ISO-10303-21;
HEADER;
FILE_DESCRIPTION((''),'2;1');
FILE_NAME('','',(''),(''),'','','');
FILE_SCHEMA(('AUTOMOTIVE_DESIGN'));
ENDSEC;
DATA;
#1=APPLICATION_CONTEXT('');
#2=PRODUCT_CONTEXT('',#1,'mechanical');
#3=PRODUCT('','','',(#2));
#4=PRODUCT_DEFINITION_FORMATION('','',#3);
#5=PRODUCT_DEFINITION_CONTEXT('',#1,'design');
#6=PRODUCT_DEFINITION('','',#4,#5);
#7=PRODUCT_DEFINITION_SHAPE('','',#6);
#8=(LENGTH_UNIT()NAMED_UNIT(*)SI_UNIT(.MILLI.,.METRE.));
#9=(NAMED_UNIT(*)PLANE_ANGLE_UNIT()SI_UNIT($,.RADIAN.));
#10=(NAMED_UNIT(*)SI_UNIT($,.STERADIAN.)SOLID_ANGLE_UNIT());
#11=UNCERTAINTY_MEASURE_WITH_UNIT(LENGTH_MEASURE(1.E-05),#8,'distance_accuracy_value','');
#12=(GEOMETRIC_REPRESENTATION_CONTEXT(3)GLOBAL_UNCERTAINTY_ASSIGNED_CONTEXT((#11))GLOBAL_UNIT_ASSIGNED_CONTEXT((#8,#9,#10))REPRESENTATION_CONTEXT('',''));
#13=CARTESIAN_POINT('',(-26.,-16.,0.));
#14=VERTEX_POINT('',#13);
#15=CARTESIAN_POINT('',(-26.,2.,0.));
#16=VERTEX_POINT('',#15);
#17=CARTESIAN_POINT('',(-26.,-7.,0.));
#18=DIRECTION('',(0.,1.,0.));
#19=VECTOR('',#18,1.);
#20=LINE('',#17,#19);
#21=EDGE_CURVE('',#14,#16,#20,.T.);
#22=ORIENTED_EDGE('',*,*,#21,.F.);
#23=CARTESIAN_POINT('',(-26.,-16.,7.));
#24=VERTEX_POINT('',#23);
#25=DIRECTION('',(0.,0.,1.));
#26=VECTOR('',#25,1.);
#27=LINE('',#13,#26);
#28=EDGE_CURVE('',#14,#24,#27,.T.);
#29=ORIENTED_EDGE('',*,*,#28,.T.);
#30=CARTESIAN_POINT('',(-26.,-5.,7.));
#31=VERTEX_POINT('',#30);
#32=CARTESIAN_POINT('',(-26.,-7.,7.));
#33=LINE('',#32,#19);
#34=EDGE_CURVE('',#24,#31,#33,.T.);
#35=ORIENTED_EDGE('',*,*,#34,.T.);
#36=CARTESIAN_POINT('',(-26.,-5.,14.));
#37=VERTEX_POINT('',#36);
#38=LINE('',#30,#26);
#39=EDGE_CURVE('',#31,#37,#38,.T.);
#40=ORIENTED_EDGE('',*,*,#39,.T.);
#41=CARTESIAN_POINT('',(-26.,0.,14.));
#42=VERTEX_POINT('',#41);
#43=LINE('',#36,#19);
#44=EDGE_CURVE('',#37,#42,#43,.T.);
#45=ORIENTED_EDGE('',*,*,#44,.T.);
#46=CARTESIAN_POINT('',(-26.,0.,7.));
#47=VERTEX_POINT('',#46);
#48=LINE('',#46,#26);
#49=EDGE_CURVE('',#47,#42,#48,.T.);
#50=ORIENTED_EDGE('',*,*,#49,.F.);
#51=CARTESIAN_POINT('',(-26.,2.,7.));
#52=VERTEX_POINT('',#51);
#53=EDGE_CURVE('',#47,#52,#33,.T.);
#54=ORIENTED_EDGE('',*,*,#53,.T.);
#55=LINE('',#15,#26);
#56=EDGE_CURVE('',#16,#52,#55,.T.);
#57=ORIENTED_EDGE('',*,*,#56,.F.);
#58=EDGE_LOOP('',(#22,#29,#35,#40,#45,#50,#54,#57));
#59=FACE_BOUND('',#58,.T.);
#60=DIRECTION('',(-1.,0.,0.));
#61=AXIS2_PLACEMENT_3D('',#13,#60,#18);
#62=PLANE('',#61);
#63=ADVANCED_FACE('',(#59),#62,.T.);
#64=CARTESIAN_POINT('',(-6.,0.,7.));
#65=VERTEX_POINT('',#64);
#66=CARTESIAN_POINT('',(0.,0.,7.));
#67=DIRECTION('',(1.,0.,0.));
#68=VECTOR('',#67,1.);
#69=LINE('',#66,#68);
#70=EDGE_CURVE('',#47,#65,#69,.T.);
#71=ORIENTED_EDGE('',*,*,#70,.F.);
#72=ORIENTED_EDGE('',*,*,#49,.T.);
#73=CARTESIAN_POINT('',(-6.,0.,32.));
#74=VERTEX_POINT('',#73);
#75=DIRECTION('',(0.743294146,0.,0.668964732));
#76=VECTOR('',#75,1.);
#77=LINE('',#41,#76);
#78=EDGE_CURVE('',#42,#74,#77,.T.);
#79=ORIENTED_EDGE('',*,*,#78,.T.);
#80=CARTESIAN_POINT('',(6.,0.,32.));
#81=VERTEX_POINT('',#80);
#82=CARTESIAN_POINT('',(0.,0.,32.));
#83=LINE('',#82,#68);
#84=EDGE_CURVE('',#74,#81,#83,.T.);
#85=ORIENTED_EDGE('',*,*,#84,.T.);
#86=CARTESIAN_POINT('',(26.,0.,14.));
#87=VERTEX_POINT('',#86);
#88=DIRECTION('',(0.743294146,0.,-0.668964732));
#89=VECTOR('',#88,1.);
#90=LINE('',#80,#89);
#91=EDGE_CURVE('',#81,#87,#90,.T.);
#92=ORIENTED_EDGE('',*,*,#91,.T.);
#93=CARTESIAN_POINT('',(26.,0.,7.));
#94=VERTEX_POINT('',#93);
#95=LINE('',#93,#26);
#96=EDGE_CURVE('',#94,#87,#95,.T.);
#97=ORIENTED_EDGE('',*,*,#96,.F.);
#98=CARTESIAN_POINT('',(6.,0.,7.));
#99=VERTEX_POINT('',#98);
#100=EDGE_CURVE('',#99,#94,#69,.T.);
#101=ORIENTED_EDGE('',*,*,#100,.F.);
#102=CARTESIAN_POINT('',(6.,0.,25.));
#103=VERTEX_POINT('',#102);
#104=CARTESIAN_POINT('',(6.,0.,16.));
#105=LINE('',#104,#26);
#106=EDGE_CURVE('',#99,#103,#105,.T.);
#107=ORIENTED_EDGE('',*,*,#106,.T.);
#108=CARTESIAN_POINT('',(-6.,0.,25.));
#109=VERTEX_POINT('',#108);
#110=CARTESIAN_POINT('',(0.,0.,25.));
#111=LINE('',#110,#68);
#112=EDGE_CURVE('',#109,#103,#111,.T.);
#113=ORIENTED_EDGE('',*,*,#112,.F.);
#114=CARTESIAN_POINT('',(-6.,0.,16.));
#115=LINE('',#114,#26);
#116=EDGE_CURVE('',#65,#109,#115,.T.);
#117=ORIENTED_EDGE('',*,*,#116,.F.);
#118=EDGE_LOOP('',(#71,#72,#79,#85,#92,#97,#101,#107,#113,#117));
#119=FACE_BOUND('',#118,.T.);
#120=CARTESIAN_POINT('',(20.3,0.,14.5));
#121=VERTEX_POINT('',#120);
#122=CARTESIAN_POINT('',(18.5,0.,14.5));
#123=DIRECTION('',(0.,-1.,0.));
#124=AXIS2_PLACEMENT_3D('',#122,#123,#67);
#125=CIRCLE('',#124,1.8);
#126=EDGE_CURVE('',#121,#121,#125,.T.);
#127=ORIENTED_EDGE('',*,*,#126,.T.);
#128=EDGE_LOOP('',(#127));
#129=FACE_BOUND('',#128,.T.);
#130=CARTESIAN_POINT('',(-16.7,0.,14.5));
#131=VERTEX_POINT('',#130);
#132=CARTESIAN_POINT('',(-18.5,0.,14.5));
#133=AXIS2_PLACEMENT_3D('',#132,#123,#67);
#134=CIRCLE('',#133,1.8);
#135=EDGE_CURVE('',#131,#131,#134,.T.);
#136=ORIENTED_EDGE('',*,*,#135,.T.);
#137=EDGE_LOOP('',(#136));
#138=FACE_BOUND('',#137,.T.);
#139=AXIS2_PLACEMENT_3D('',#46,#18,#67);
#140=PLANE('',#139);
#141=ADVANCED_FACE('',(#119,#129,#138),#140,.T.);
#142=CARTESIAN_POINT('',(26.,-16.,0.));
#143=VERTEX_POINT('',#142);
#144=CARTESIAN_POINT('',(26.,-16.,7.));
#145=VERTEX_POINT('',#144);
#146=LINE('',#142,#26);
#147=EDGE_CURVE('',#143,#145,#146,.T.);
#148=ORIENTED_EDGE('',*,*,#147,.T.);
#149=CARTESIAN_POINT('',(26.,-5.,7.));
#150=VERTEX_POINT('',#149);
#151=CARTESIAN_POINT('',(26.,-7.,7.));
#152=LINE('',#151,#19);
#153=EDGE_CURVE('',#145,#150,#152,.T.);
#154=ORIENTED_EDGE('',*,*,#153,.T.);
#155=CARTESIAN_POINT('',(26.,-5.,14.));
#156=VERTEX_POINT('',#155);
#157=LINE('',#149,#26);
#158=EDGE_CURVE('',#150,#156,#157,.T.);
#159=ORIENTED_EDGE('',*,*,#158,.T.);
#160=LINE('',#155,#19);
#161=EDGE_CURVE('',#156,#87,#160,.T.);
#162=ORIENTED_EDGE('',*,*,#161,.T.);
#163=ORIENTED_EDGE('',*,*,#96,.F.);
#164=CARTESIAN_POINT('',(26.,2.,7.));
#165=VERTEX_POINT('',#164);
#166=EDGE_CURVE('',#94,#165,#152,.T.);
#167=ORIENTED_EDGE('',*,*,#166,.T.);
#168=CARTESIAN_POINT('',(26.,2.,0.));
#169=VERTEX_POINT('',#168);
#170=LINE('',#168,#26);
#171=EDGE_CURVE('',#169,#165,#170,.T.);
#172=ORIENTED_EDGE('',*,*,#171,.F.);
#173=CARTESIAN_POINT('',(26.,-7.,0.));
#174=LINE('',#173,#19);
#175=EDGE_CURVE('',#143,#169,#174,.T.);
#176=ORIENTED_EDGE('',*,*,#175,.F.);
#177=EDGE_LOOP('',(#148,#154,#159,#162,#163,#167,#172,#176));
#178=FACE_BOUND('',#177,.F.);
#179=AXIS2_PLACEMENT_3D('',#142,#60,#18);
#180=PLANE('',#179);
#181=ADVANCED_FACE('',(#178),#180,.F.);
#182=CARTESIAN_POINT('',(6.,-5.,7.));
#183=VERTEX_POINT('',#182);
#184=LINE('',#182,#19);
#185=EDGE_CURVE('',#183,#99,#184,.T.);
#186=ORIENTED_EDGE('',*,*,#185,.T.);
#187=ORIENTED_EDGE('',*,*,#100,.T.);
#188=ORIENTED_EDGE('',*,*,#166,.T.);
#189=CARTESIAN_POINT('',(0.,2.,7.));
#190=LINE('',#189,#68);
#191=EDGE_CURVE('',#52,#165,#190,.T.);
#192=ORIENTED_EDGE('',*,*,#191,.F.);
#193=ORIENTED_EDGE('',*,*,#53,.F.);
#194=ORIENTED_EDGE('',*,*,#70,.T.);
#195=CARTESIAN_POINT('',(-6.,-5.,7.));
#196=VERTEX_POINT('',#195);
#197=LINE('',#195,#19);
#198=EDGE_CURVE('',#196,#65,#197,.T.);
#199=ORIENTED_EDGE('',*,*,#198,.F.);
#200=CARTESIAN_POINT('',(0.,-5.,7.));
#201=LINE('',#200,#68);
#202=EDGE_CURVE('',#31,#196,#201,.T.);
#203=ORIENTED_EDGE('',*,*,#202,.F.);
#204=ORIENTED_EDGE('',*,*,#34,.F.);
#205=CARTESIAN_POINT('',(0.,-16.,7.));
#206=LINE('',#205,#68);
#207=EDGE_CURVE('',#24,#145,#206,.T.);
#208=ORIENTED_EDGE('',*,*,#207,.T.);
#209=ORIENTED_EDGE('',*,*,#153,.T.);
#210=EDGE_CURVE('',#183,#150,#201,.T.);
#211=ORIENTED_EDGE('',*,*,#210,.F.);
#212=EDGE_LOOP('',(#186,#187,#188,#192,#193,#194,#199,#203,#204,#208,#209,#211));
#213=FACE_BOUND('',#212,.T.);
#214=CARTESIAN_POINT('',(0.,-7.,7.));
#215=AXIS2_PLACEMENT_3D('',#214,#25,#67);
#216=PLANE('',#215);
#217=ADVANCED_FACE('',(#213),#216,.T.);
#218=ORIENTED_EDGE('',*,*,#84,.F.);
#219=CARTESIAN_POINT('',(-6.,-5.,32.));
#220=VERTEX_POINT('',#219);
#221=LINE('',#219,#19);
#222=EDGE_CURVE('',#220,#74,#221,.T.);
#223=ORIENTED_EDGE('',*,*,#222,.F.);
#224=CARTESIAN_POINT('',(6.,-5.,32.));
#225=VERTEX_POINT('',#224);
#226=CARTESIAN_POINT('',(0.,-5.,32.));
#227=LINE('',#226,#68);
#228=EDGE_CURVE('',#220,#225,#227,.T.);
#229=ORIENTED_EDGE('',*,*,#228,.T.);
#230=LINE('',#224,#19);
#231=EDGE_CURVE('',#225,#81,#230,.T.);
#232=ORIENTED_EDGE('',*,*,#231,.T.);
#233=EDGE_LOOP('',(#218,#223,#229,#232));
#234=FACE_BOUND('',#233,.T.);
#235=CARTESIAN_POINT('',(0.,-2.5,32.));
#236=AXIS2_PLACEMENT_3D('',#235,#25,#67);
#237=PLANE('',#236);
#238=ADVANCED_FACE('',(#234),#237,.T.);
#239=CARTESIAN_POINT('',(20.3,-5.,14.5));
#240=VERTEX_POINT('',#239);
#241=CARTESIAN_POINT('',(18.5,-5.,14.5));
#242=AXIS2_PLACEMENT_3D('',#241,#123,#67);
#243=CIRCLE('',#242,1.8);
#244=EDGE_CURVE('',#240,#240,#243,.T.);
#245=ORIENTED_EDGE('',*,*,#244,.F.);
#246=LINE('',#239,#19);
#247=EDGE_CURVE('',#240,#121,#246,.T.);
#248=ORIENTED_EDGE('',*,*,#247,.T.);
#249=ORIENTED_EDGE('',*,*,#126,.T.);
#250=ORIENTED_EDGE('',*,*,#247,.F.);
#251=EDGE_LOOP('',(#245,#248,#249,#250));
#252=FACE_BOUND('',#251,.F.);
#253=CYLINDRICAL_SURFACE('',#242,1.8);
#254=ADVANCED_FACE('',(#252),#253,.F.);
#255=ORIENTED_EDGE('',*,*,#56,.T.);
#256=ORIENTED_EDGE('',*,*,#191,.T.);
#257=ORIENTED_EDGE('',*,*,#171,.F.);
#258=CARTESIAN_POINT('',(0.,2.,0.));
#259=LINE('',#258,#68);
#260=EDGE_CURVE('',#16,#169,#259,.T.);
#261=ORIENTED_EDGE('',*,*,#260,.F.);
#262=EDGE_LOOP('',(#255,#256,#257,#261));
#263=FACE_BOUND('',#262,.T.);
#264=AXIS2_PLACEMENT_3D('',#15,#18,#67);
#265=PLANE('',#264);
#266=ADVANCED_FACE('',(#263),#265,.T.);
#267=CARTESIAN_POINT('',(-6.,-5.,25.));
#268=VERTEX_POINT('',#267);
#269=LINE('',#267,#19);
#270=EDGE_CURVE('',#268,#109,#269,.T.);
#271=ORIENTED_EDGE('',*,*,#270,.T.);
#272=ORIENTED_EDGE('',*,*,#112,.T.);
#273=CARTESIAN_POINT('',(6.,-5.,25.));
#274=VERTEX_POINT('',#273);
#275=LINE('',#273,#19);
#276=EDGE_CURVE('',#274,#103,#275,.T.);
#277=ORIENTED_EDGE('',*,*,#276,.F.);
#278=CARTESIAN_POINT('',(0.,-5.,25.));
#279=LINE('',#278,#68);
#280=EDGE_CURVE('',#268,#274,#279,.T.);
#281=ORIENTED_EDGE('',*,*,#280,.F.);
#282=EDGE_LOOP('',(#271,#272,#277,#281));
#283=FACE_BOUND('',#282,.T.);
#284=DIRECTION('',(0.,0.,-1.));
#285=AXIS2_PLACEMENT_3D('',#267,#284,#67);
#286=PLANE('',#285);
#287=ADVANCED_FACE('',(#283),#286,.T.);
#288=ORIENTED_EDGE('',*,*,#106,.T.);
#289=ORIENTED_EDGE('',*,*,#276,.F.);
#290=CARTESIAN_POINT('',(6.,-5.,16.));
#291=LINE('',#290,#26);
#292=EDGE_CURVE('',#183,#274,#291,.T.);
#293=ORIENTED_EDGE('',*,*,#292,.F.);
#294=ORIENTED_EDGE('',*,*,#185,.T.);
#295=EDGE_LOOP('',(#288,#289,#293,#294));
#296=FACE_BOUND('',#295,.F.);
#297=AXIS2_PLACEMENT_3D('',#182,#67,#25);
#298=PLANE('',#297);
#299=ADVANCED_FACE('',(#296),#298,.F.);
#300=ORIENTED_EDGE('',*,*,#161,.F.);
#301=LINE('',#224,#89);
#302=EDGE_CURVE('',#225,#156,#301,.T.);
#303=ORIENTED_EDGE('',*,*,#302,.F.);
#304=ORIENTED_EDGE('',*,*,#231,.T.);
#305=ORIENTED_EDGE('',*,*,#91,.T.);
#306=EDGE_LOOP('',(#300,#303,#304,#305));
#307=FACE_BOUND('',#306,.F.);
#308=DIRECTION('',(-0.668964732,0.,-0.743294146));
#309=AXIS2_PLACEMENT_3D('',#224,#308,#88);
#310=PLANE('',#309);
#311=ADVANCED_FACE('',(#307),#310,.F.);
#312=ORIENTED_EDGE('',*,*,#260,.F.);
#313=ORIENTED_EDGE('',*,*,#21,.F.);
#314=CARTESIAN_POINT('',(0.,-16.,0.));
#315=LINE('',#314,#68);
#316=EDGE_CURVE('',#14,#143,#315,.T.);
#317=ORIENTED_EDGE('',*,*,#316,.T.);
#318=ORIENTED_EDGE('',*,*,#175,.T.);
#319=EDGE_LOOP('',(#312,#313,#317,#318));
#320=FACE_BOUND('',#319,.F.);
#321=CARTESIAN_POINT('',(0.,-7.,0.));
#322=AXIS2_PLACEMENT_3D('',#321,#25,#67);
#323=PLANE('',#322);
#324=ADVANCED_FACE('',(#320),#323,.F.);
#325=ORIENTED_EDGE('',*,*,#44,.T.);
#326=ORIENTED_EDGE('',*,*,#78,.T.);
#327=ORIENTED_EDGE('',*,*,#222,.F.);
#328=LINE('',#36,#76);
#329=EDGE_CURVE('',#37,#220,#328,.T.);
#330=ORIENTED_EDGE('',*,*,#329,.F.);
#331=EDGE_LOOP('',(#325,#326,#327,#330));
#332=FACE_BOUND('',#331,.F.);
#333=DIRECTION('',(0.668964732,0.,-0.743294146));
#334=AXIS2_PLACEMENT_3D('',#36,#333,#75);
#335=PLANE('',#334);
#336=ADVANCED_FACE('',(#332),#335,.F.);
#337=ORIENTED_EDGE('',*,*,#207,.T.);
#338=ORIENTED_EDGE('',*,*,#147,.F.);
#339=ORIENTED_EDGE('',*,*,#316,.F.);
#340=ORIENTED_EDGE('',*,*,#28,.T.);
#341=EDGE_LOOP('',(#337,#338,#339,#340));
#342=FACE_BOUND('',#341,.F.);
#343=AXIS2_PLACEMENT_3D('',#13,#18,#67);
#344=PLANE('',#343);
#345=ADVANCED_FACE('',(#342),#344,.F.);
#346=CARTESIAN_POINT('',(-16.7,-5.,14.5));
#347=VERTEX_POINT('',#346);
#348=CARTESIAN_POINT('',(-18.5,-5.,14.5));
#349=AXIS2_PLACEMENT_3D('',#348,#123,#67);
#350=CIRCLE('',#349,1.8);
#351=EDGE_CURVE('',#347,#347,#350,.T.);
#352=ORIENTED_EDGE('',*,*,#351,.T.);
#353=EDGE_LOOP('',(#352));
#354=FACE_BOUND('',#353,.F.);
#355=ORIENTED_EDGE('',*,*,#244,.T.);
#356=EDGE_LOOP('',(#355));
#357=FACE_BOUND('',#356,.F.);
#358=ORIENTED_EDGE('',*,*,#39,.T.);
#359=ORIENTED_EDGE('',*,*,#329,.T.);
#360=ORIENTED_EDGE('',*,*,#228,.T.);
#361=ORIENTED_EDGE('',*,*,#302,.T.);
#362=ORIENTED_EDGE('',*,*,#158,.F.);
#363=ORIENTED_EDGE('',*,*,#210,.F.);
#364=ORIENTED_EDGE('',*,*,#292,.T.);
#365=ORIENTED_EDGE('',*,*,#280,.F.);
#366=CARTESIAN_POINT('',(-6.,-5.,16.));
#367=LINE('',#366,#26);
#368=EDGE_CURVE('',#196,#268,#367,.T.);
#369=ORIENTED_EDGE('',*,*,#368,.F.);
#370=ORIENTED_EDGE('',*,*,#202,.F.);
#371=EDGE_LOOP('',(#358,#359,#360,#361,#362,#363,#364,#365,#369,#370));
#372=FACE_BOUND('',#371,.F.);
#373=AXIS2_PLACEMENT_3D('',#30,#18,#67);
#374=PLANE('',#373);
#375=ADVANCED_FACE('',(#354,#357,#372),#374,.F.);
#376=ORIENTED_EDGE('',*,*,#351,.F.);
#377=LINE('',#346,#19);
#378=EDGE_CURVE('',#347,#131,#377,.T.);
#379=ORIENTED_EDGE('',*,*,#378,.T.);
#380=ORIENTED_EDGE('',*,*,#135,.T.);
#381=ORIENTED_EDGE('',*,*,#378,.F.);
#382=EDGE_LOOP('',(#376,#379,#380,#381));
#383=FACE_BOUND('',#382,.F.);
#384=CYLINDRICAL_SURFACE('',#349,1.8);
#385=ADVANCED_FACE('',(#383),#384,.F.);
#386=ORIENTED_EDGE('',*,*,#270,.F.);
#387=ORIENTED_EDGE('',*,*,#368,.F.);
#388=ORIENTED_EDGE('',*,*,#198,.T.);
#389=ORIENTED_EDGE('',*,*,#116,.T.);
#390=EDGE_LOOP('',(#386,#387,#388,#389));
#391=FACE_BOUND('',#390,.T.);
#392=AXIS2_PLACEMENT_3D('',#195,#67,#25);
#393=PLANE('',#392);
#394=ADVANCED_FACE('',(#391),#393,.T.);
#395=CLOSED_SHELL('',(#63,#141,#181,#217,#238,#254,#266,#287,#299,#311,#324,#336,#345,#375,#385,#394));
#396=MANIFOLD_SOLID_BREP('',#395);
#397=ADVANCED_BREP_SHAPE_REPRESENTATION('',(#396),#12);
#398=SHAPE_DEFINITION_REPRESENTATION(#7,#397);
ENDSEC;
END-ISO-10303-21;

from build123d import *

# Parameters (mm, degrees)
SKETCH_W     = 52
SKETCH_H     = 18
PAD_DEPTH    = 7
SKETCH001_W  = 52
SKETCH001_H  = 5
PAD001_DEPTH = 25
SKETCH002_R  = 1.8
SKETCH002_W  = 12
SKETCH002_H  = 18
POCKET_DEPTH = 5


with BuildPart() as part:
    # Sketch → Pad (new body)
    with BuildSketch(Plane.XY):
        with Locations((0, -7)):
            Rectangle(SKETCH_W, SKETCH_H)
    extrude(amount=PAD_DEPTH)

    # Sketch001 → Pad001 (new body)
    with BuildSketch(Plane.XY.offset(7)):
        with Locations((0, -2.5)):
            Rectangle(SKETCH001_W, SKETCH001_H)
    extrude(amount=PAD001_DEPTH)

    # Sketch002 → Pocket (cut)
    with BuildSketch(Plane.XZ.offset(5)):
        with Locations((-18.5, 14.5)):
            Circle(SKETCH002_R)
        with Locations((18.5, 14.5)):
            Circle(SKETCH002_R)
        with Locations((0, 16)):
            Rectangle(SKETCH002_W, SKETCH002_H)
        Polygon((-26, 14), (-6, 32), (-26, 32), align=None)
        Polygon((6, 32), (26, 14), (26, 32), align=None)
    extrude(amount=-POCKET_DEPTH, mode=Mode.SUBTRACT)


solid = part.part
